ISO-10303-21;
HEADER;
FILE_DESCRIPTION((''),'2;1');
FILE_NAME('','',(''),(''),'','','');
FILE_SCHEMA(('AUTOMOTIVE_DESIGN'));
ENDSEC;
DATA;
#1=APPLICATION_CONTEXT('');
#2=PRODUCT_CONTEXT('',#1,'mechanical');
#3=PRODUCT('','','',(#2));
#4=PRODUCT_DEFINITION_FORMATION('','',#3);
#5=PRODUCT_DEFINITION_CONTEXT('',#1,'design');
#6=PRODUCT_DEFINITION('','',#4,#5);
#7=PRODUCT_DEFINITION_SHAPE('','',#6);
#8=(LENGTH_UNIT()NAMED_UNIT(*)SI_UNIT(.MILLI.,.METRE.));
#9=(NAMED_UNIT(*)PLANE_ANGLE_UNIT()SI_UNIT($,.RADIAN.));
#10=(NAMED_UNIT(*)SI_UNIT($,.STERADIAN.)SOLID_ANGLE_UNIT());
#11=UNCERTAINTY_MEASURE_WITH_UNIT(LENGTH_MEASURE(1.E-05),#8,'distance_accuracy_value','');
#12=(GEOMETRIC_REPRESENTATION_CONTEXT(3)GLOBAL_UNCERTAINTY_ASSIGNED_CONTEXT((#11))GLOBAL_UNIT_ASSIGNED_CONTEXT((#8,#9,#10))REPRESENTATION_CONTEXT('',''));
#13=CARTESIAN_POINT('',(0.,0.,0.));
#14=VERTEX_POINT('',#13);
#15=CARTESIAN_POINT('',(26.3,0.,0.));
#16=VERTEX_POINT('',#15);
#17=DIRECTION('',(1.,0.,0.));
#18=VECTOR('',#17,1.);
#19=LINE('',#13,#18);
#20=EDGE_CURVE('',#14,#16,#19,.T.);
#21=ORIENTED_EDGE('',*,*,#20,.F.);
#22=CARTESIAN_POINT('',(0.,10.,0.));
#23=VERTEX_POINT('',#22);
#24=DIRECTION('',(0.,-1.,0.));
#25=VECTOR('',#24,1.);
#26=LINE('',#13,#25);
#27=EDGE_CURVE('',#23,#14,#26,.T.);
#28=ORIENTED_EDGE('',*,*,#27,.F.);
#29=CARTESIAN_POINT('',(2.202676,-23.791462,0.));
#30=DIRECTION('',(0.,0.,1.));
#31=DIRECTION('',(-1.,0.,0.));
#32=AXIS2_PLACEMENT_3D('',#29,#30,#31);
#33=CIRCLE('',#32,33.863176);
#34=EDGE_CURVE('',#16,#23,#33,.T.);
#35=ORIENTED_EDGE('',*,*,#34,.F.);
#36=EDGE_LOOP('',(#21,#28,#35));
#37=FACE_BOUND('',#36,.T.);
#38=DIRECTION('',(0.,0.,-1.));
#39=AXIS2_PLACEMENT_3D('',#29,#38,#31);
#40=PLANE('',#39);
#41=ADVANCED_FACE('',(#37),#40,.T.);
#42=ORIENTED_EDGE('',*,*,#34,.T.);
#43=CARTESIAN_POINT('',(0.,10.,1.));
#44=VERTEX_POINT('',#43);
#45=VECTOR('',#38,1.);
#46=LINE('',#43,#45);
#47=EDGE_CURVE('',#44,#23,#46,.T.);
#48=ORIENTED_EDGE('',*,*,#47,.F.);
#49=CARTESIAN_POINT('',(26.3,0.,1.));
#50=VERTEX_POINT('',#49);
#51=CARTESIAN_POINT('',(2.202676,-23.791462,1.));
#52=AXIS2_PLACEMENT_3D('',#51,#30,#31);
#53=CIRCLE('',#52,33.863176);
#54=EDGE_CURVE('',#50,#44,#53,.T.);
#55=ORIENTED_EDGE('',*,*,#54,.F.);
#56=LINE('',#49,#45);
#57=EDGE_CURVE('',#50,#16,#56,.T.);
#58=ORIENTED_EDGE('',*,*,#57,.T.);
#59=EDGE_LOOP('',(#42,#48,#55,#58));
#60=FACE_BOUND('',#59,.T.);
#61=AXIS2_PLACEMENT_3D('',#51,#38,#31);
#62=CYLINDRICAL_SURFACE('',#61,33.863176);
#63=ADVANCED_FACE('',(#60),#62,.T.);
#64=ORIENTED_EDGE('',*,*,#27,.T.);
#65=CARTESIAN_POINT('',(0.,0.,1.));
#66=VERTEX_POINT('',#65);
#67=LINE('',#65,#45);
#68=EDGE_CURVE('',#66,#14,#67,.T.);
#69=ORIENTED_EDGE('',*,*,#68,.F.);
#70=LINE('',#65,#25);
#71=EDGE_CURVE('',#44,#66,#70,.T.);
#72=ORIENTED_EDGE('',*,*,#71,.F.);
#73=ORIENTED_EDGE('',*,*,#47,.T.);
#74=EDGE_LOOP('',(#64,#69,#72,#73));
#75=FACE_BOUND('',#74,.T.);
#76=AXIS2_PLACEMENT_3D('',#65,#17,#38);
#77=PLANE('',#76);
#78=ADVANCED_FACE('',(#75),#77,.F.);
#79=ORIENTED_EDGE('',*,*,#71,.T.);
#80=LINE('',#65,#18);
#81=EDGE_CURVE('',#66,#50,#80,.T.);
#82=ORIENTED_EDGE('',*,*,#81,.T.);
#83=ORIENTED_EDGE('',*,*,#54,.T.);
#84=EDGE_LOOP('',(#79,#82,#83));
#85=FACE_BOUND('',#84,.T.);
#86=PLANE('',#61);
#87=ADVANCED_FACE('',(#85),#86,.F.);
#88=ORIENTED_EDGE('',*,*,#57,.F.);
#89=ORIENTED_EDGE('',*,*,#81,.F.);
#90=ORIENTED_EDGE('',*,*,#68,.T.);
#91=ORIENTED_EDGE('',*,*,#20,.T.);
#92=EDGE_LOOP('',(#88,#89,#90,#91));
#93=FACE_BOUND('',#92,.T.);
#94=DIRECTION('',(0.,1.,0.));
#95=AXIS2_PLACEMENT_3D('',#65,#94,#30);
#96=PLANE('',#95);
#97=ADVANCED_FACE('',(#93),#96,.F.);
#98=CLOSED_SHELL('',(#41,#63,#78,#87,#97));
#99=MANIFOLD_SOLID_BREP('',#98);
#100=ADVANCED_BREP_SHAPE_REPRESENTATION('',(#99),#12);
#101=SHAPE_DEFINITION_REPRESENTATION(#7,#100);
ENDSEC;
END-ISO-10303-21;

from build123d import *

# Parameters (mm, degrees)
BOSS_EXTRUDE1_DEPTH = 1


with BuildPart() as part:
    # Sketch1 → Boss-Extrude1 (new body)
    with BuildSketch(Plane.XY):
        with BuildLine():
            Line((0, 0), (0, 10))
            ThreePointArc((0, 10), (14.237787239, 7.860880439), (26.3, 0))
            Line((26.3, 0), (0, 0))
        make_face()
    extrude(amount=BOSS_EXTRUDE1_DEPTH)


solid = part.part
